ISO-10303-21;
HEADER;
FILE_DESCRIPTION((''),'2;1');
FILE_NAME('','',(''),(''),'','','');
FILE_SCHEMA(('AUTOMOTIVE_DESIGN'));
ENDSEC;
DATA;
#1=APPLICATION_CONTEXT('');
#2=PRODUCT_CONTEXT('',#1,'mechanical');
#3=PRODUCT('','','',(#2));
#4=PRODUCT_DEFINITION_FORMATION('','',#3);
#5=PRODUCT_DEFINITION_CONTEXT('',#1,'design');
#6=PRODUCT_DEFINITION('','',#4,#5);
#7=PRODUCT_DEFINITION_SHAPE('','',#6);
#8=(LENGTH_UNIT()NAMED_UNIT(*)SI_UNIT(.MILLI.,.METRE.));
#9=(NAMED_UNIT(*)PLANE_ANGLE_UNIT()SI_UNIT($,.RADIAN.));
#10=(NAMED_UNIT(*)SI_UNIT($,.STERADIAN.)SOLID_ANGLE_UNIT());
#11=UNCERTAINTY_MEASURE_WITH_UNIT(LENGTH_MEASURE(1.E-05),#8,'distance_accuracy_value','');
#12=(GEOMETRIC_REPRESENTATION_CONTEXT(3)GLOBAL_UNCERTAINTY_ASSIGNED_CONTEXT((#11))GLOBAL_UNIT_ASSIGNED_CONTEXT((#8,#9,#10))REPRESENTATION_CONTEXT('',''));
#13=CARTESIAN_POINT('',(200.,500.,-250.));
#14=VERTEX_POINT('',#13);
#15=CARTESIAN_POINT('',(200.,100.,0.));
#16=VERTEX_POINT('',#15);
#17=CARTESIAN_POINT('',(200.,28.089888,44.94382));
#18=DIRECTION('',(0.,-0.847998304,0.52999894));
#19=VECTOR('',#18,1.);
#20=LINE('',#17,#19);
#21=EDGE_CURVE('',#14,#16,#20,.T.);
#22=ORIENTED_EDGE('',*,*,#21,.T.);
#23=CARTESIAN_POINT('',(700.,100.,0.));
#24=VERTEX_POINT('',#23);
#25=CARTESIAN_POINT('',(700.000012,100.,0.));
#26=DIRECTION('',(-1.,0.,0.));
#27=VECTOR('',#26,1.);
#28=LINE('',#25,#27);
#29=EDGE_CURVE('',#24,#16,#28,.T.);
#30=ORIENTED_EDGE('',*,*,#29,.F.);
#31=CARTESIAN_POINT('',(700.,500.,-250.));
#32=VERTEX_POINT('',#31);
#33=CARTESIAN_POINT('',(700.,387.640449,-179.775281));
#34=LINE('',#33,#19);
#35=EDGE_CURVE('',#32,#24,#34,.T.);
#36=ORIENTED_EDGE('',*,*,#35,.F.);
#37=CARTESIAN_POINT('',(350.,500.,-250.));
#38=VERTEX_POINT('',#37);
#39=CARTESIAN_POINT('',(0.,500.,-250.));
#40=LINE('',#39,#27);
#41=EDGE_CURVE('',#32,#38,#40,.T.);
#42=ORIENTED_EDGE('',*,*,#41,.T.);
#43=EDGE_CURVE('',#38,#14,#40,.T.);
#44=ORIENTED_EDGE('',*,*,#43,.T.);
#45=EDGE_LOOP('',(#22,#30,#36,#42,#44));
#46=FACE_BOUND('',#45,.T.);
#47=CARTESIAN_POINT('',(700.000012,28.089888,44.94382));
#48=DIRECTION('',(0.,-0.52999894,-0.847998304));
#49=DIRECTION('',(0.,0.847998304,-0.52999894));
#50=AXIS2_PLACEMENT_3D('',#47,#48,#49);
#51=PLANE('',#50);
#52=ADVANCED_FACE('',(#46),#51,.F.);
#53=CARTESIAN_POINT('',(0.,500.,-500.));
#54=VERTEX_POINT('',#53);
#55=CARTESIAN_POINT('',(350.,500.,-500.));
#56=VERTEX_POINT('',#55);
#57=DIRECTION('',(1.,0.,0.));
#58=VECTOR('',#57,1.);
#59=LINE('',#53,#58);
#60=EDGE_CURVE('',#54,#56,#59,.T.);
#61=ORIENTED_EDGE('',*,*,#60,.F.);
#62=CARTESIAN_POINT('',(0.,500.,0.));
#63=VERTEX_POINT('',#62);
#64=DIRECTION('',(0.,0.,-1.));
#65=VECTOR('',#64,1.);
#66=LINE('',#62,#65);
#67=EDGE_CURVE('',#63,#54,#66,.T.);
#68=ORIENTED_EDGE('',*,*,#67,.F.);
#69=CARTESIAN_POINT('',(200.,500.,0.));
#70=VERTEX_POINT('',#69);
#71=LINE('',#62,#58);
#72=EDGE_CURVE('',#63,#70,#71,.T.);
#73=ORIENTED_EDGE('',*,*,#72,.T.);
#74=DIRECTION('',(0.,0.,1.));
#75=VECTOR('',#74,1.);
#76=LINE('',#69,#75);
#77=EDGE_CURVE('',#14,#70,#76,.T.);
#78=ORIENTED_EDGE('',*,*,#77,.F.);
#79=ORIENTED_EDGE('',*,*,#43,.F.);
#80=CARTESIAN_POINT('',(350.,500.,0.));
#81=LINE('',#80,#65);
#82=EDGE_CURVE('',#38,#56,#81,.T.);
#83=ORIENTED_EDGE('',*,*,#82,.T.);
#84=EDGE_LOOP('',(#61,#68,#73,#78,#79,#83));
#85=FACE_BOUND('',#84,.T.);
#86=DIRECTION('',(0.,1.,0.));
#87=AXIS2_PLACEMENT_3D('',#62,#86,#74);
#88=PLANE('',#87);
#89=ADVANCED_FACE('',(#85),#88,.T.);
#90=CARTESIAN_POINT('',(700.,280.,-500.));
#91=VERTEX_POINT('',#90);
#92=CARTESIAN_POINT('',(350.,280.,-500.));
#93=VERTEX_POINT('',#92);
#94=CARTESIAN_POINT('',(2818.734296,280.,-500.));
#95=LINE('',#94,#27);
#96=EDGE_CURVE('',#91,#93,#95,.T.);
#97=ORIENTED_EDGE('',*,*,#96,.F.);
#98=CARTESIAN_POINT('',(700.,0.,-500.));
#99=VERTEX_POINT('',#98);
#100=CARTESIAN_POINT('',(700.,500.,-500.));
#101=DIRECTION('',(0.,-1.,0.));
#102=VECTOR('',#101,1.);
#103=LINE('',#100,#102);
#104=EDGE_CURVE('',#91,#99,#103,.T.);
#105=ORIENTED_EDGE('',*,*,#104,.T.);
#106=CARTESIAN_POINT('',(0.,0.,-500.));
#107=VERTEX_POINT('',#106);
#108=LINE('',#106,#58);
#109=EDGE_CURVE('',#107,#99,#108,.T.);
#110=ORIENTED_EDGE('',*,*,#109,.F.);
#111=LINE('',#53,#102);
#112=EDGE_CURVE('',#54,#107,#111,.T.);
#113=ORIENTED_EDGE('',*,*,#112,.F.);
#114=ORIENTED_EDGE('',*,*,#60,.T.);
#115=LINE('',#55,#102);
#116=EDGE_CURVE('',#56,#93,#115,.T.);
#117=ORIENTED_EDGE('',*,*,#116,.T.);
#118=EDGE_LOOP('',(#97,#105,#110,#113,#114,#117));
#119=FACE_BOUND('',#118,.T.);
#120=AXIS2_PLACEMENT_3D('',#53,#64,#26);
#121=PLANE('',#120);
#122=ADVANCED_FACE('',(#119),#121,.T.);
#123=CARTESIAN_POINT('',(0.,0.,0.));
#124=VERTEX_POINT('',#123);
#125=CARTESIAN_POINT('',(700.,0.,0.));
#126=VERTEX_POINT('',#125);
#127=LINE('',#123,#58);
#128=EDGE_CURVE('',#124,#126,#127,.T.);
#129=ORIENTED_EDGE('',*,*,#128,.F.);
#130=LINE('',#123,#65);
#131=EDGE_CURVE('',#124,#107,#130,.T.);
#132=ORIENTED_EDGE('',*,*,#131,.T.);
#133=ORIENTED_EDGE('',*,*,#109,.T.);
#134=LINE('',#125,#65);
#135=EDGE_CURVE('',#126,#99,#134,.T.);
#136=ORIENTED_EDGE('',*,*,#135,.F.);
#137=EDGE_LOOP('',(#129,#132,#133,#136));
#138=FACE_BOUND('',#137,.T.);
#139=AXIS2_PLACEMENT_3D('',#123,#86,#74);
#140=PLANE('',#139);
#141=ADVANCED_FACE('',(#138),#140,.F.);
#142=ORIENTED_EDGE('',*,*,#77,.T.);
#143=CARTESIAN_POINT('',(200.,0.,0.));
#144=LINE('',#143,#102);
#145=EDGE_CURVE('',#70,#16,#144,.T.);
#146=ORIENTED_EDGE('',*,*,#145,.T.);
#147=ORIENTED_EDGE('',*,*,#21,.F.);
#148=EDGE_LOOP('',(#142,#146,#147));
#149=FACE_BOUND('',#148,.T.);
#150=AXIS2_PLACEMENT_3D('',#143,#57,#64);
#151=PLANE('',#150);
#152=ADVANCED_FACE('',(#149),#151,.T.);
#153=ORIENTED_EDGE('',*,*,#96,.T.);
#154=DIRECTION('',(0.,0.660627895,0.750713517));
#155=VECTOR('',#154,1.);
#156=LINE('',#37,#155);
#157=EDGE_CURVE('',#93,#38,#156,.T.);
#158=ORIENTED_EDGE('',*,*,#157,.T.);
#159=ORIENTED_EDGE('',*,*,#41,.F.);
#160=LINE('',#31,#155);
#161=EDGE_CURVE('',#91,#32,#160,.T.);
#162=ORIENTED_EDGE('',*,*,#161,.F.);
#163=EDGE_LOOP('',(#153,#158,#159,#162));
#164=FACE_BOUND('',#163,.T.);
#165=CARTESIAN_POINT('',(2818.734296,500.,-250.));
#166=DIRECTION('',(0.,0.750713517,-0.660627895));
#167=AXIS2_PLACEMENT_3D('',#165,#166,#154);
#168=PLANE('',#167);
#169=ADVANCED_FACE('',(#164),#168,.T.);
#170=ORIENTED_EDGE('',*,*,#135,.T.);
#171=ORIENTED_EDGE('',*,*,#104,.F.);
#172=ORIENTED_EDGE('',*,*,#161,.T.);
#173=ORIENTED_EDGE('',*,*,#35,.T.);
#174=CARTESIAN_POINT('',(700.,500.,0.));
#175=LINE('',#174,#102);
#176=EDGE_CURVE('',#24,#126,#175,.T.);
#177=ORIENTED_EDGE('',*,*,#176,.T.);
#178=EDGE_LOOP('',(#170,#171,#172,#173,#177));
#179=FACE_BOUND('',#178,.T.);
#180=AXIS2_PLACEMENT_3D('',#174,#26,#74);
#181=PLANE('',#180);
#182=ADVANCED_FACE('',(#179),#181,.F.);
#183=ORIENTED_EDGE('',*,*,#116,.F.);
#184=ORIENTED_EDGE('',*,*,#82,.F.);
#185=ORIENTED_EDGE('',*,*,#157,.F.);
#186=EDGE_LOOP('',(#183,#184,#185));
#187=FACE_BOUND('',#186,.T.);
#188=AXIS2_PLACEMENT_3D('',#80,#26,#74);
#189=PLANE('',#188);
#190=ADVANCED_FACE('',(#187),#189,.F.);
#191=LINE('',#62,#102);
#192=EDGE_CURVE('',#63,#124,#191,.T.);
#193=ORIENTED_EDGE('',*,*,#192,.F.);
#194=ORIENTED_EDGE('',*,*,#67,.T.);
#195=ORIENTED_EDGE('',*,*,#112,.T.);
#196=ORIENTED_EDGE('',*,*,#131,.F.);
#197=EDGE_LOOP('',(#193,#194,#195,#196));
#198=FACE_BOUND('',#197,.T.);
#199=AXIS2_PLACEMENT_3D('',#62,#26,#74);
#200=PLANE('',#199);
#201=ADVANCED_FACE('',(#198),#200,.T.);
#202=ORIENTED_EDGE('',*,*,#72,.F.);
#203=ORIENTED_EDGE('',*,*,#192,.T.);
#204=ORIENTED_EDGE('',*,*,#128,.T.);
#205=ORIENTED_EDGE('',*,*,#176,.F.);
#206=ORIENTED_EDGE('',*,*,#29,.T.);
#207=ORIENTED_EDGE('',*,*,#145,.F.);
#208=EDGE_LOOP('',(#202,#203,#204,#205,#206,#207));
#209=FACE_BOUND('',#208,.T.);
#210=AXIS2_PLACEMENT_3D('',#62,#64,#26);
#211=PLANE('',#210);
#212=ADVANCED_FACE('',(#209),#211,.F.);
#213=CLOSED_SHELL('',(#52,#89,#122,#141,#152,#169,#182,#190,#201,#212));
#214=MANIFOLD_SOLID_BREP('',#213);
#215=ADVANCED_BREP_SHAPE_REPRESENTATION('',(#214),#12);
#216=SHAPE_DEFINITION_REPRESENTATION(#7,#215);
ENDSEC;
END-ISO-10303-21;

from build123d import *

# Parameters (mm, degrees)
SKETCH1_W               = 700
SKETCH1_H               = 500
BOSS_EXTRUDE1_DEPTH     = 500
CUT_EXTRUDE1_DEPTH      = 1
CUT_EXTRUDE1_DEPTH_BACK = 500
CUT_EXTRUDE2_DEPTH      = 1
CUT_EXTRUDE2_DEPTH_BACK = 350


with BuildPart() as part:
    # Sketch1 → Boss-Extrude1 (new body)
    with BuildSketch(Plane(origin=(0, 0, 0), x_dir=(1, 0, 0), z_dir=(0, 1, 0))):
        with Locations((350, 250)):
            Rectangle(SKETCH1_W, SKETCH1_H)
    extrude(amount=BOSS_EXTRUDE1_DEPTH)

    # Sketch3 → Cut-Extrude1 (cut, two sides)
    with BuildSketch(Plane(origin=(700, 0, 0), x_dir=(0, 0, -1), z_dir=(1, 0, 0))) as cut_extrude1_sk:
        Polygon((0, 100), (250, 500), (0, 500), align=None)
    extrude(amount=CUT_EXTRUDE1_DEPTH, mode=Mode.SUBTRACT)
    extrude(cut_extrude1_sk.sketch, amount=-CUT_EXTRUDE1_DEPTH_BACK, mode=Mode.SUBTRACT)

    # Sketch3_3 → Cut-Extrude2 (cut, two sides)
    with BuildSketch(Plane(origin=(700, 0, 0), x_dir=(0, 0, -1), z_dir=(1, 0, 0))) as cut_extrude2_sk:
        Polygon((500, 500), (250, 500), (500, 280), align=None)
    extrude(amount=CUT_EXTRUDE2_DEPTH, mode=Mode.SUBTRACT)
    extrude(cut_extrude2_sk.sketch, amount=-CUT_EXTRUDE2_DEPTH_BACK, mode=Mode.SUBTRACT)


solid = part.part
